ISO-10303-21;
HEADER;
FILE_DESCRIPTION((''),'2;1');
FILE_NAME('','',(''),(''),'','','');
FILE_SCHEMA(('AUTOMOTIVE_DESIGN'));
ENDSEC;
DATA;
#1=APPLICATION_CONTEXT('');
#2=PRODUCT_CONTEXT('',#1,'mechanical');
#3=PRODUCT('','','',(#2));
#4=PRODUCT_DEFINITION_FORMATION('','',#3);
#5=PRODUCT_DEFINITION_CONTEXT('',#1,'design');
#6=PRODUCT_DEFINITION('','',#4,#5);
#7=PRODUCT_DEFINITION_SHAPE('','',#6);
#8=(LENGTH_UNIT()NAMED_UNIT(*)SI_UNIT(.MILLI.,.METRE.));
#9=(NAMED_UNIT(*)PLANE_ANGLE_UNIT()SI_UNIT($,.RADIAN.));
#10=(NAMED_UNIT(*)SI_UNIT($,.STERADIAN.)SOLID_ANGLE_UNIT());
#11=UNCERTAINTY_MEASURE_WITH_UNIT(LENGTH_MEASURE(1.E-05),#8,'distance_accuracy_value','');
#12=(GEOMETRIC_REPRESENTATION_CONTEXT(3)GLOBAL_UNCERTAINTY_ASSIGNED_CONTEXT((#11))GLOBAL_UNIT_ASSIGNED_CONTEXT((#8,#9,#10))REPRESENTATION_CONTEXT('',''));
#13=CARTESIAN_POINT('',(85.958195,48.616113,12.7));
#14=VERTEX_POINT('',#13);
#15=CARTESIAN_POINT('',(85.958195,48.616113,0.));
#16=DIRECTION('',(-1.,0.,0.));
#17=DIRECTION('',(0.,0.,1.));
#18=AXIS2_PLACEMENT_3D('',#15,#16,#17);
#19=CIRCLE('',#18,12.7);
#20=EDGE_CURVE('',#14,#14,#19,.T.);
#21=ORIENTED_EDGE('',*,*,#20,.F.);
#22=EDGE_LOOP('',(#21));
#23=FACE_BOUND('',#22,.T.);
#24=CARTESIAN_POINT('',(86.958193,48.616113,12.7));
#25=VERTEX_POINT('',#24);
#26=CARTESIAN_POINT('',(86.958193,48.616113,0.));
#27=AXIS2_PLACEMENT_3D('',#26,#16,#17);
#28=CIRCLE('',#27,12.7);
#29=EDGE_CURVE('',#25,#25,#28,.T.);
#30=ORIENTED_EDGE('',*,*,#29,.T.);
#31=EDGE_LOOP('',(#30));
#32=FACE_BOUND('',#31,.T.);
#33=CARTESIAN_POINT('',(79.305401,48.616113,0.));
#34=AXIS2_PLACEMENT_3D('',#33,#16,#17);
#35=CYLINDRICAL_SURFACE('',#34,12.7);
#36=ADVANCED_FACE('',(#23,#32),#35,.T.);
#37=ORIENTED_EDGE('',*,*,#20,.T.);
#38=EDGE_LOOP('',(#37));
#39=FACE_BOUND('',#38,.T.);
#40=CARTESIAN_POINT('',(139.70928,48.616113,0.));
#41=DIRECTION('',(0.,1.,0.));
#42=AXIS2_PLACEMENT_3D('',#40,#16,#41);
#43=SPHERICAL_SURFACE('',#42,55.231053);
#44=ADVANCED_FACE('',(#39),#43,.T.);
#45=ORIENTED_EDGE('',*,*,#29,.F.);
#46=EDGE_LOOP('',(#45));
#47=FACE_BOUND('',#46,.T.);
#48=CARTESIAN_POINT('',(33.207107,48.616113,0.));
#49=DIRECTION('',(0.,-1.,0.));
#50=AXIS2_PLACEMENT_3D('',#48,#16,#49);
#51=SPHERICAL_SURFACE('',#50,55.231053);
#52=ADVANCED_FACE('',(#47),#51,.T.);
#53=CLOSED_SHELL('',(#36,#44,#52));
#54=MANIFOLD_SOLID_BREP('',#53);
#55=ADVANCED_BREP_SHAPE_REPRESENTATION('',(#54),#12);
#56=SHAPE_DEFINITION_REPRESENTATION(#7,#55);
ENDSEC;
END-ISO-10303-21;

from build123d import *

# Parameters (mm, degrees)
SKETCH_1_ONE_SIDE_W = 0.999998
SKETCH_1_ONE_SIDE_H = 12.7


with BuildPart() as part:
    # 草图1 one side → 旋转1 (revolve)
    with BuildSketch(Plane.XY, mode=Mode.PRIVATE) as revolve_1_sk:
        with Locations((86.458193775, 54.966113023)):
            Rectangle(SKETCH_1_ONE_SIDE_W, SKETCH_1_ONE_SIDE_H)
        with BuildLine():
            Line((84.478227489, 48.616113023), (85.958194775, 48.616113023))
            Line((85.958194775, 48.616113023), (85.958194775, 61.316113023))
            ThreePointArc((85.958194775, 61.316113023), (84.849466967, 55.009083834), (84.478227489, 48.616113023))
        make_face()
        with BuildLine():
            Line((86.958192775, 48.616113023), (88.43816006, 48.616113023))
            ThreePointArc((88.43816006, 48.616113023), (88.066920583, 55.009083834), (86.958192775, 61.316113023))
            Line((86.958192775, 61.316113023), (86.958192775, 48.616113023))
        make_face()
    revolve(revolve_1_sk.sketch.rotate(Axis((79.305401351, 48.616113023, 0), (1, 0, 0)), 90), axis=Axis((79.305401351, 48.616113023, 0), (1, 0, 0)))  # turned: the seam where the file's is


solid = part.part
